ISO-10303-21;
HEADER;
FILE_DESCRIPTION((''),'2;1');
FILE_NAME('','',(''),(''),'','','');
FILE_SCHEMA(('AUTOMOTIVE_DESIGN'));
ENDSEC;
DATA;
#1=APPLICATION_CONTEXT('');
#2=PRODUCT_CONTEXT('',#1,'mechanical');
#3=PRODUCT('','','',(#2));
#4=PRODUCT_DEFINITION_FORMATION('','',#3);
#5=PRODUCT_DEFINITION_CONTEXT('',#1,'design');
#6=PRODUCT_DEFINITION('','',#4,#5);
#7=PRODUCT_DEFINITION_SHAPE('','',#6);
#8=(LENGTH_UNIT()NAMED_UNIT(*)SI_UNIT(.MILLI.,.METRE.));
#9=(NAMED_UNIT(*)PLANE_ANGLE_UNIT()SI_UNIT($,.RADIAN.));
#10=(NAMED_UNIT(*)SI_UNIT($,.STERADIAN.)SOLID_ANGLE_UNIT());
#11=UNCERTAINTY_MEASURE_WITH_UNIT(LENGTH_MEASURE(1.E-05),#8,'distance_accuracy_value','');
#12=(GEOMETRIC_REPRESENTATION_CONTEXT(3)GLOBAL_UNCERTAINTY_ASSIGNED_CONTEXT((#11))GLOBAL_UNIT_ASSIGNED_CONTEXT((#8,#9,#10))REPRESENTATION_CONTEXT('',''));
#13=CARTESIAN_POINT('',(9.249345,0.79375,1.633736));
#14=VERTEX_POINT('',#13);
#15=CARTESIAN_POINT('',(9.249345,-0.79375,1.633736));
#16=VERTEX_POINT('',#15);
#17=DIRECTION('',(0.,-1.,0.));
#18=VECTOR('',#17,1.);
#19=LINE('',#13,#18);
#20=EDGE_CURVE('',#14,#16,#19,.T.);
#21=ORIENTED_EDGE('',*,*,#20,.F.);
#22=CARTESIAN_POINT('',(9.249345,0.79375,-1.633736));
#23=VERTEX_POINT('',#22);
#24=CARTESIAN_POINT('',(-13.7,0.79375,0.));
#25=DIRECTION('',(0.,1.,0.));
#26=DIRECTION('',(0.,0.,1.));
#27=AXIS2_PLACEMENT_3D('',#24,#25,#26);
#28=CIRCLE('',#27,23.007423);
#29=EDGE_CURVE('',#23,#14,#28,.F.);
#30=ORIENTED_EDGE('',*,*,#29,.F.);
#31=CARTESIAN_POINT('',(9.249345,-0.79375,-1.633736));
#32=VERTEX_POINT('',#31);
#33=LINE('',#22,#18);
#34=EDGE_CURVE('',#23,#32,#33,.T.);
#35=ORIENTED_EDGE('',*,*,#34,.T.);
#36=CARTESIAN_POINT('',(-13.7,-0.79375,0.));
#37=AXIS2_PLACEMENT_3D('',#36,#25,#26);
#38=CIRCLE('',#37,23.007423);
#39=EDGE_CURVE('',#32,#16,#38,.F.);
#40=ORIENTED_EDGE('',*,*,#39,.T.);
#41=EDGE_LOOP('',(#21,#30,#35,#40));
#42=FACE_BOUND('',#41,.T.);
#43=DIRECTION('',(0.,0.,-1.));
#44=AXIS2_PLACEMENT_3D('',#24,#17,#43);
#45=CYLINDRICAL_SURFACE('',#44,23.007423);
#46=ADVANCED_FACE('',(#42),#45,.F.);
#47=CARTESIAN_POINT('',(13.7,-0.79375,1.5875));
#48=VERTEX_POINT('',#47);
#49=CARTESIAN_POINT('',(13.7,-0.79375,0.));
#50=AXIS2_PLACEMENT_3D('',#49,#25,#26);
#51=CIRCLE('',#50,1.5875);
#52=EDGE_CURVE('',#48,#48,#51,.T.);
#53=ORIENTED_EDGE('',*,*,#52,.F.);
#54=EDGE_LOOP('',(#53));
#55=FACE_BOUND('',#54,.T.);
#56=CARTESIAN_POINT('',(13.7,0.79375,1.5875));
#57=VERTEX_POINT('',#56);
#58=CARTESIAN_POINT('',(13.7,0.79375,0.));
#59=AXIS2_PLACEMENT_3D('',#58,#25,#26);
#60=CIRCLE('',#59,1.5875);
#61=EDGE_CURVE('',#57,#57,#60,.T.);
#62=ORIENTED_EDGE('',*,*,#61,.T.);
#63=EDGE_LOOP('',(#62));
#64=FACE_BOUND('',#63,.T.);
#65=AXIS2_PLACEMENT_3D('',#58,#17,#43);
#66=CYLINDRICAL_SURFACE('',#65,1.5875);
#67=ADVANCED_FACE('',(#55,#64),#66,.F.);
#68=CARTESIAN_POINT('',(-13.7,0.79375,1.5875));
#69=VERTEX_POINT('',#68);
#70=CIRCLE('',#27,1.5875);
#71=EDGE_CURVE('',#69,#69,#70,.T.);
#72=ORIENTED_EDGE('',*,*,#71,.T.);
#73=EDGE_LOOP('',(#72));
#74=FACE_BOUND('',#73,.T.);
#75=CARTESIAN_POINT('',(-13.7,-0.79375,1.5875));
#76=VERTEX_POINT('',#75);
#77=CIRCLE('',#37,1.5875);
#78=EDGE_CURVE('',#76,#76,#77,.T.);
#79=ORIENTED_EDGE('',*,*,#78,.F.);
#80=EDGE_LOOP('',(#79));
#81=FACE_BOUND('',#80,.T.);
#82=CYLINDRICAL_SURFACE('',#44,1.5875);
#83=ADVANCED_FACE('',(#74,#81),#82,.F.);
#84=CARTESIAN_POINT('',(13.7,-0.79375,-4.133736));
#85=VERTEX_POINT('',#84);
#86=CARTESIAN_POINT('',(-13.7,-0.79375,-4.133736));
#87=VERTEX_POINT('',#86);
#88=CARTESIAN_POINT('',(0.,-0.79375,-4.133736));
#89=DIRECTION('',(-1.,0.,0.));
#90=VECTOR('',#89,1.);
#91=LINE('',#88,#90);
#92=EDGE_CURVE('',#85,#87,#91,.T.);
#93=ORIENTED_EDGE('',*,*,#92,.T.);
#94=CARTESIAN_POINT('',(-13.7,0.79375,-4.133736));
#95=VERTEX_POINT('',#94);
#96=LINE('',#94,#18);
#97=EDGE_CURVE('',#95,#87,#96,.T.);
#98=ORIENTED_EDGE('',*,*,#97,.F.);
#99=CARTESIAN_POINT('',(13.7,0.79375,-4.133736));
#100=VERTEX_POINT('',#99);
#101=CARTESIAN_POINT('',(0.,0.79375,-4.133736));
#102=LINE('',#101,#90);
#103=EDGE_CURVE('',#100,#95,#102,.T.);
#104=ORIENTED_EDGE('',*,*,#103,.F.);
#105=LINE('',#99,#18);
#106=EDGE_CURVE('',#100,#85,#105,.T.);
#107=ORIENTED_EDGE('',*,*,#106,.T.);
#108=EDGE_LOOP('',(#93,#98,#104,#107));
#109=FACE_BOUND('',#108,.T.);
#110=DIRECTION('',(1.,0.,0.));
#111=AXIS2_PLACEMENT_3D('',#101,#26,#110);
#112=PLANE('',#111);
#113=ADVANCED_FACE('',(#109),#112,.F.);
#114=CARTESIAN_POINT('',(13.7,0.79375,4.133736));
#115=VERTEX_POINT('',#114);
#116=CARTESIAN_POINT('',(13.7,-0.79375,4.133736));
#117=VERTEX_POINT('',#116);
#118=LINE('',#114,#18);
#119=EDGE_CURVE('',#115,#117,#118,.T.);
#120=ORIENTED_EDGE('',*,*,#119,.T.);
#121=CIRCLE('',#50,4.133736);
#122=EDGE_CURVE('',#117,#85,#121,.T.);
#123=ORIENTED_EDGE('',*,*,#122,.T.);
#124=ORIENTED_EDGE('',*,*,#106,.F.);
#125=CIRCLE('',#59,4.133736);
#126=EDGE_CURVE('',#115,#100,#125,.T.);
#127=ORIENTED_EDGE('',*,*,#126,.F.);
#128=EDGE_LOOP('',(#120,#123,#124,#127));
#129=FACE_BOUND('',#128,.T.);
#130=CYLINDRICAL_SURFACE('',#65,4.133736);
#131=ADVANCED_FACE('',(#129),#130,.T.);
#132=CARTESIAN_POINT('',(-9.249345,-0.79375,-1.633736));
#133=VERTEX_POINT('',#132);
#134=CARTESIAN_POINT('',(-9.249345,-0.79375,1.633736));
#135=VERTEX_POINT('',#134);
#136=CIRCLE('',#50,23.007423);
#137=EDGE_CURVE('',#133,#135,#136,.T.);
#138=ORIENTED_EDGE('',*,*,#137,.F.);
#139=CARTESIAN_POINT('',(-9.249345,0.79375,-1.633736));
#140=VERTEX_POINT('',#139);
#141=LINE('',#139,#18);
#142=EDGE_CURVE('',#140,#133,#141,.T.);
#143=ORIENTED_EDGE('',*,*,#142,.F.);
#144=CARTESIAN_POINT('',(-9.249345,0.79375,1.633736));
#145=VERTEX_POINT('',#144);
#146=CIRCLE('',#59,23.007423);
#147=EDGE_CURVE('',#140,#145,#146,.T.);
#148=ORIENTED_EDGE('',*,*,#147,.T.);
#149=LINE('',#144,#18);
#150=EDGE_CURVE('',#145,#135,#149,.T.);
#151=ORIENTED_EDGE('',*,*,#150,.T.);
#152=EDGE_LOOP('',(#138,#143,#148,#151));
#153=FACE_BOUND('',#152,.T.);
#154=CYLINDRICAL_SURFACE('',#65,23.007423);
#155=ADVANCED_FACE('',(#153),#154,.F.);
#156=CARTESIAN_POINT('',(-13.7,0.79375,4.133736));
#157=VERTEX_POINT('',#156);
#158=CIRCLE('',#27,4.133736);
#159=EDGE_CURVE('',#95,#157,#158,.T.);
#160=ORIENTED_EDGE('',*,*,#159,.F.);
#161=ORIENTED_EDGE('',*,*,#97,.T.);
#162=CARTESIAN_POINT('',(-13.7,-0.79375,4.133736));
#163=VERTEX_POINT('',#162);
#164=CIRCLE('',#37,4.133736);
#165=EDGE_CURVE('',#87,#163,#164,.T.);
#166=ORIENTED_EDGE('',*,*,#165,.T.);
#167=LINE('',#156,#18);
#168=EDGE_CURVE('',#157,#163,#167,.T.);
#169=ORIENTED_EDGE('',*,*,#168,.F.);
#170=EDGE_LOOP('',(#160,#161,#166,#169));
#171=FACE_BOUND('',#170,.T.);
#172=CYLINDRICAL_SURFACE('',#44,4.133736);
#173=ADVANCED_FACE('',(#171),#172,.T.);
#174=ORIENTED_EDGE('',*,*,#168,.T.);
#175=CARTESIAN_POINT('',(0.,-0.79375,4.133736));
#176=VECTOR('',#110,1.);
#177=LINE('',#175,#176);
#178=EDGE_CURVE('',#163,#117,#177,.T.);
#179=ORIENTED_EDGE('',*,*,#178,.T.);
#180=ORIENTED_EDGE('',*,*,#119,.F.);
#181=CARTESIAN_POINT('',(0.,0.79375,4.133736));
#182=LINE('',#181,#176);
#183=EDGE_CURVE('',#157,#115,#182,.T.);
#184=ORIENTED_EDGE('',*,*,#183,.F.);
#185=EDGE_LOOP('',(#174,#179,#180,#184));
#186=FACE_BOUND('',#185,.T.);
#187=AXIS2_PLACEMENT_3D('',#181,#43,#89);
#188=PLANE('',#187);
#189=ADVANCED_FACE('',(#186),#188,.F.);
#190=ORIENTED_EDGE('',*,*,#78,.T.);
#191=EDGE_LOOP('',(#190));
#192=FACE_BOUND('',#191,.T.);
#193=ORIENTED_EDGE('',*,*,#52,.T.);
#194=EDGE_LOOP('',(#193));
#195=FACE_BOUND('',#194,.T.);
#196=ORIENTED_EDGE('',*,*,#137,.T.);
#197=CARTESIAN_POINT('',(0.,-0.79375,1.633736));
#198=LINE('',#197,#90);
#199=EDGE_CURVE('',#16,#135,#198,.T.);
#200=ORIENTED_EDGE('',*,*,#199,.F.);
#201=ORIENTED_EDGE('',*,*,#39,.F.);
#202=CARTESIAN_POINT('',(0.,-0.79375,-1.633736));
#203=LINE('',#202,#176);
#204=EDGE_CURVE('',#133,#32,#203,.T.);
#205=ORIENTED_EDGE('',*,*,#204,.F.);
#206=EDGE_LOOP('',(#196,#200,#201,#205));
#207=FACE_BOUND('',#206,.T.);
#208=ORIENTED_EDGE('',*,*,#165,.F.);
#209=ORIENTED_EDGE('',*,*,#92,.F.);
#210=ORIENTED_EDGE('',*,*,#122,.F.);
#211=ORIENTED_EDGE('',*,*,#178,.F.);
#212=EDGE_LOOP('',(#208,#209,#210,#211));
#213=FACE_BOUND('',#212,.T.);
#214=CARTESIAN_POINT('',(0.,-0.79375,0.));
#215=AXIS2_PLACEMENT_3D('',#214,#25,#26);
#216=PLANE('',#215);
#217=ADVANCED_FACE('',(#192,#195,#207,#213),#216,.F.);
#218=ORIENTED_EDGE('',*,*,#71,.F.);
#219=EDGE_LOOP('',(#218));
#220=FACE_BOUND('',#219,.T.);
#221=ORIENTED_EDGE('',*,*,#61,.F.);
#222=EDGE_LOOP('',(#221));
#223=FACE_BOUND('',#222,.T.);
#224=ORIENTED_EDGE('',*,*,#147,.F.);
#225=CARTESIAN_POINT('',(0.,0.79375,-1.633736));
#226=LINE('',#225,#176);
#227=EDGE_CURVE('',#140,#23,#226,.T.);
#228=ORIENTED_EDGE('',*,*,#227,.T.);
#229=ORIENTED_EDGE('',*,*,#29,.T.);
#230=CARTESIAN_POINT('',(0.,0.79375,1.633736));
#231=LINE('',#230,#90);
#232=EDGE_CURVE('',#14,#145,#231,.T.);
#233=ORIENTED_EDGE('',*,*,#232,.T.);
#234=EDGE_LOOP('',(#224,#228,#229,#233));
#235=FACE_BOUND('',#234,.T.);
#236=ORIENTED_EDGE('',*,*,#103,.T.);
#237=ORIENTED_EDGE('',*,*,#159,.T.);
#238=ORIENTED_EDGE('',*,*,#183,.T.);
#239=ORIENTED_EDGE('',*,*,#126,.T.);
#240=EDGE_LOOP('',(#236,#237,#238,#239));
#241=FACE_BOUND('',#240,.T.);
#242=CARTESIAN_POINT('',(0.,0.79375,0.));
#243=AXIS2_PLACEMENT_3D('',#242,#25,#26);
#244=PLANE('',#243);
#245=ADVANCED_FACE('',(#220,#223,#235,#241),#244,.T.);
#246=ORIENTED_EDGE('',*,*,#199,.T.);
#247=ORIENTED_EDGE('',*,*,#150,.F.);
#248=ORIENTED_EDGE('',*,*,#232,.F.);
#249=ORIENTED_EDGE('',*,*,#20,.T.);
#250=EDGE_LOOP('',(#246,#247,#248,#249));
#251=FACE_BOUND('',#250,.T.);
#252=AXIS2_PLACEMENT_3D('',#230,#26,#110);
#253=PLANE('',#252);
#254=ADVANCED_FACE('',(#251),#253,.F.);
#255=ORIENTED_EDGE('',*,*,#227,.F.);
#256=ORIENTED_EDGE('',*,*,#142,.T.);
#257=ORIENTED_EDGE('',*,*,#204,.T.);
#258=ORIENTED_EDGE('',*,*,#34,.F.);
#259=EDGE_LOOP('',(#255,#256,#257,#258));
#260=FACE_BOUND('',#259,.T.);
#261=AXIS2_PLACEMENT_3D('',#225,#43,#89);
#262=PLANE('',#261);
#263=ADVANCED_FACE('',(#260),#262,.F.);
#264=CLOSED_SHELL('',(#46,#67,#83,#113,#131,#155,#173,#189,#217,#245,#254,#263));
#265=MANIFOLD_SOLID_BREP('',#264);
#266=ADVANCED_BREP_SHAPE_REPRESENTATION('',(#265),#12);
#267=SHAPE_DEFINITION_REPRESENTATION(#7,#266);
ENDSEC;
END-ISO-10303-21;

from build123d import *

# Parameters (mm, degrees)
SKETCH1_R           = 1.5875
BOSS_EXTRUDE2_DEPTH = 0.79375


with BuildPart() as part:
    # Sketch1 → Boss-Extrude2 (new, symmetric)
    with BuildSketch(Plane(origin=(0, 0, 0), x_dir=(1, 0, 0), z_dir=(0, 1, 0))):
        with BuildLine():
            Line((13.7, 4.133736316), (-13.7, 4.133736316))
            ThreePointArc((-13.7, 4.133736316), (-17.833736316, 0), (-13.7, -4.133736316))
            Line((-13.7, -4.133736316), (13.7, -4.133736316))
            ThreePointArc((13.7, -4.133736316), (17.833736316, 0), (13.7, 4.133736316))
        make_face()
        with Locations(Location((13.7, 0, 0), (0, 0, 270))):
            Circle(SKETCH1_R, mode=Mode.SUBTRACT)
        with Locations(Location((-13.7, 0, 0), (0, 0, 270))):
            Circle(SKETCH1_R, mode=Mode.SUBTRACT)
        with BuildLine():
            Line((9.249344571, -1.633736316), (-9.249344571, -1.633736316))
            ThreePointArc((-9.249344571, -1.633736316), (-9.307422945, 0), (-9.249344571, 1.633736316))
            Line((-9.249344571, 1.633736316), (9.249344571, 1.633736316))
            ThreePointArc((9.249344571, 1.633736316), (9.307422945, 0), (9.249344571, -1.633736316))
        make_face(mode=Mode.SUBTRACT)
    extrude(amount=BOSS_EXTRUDE2_DEPTH, both=True)


solid = part.part
